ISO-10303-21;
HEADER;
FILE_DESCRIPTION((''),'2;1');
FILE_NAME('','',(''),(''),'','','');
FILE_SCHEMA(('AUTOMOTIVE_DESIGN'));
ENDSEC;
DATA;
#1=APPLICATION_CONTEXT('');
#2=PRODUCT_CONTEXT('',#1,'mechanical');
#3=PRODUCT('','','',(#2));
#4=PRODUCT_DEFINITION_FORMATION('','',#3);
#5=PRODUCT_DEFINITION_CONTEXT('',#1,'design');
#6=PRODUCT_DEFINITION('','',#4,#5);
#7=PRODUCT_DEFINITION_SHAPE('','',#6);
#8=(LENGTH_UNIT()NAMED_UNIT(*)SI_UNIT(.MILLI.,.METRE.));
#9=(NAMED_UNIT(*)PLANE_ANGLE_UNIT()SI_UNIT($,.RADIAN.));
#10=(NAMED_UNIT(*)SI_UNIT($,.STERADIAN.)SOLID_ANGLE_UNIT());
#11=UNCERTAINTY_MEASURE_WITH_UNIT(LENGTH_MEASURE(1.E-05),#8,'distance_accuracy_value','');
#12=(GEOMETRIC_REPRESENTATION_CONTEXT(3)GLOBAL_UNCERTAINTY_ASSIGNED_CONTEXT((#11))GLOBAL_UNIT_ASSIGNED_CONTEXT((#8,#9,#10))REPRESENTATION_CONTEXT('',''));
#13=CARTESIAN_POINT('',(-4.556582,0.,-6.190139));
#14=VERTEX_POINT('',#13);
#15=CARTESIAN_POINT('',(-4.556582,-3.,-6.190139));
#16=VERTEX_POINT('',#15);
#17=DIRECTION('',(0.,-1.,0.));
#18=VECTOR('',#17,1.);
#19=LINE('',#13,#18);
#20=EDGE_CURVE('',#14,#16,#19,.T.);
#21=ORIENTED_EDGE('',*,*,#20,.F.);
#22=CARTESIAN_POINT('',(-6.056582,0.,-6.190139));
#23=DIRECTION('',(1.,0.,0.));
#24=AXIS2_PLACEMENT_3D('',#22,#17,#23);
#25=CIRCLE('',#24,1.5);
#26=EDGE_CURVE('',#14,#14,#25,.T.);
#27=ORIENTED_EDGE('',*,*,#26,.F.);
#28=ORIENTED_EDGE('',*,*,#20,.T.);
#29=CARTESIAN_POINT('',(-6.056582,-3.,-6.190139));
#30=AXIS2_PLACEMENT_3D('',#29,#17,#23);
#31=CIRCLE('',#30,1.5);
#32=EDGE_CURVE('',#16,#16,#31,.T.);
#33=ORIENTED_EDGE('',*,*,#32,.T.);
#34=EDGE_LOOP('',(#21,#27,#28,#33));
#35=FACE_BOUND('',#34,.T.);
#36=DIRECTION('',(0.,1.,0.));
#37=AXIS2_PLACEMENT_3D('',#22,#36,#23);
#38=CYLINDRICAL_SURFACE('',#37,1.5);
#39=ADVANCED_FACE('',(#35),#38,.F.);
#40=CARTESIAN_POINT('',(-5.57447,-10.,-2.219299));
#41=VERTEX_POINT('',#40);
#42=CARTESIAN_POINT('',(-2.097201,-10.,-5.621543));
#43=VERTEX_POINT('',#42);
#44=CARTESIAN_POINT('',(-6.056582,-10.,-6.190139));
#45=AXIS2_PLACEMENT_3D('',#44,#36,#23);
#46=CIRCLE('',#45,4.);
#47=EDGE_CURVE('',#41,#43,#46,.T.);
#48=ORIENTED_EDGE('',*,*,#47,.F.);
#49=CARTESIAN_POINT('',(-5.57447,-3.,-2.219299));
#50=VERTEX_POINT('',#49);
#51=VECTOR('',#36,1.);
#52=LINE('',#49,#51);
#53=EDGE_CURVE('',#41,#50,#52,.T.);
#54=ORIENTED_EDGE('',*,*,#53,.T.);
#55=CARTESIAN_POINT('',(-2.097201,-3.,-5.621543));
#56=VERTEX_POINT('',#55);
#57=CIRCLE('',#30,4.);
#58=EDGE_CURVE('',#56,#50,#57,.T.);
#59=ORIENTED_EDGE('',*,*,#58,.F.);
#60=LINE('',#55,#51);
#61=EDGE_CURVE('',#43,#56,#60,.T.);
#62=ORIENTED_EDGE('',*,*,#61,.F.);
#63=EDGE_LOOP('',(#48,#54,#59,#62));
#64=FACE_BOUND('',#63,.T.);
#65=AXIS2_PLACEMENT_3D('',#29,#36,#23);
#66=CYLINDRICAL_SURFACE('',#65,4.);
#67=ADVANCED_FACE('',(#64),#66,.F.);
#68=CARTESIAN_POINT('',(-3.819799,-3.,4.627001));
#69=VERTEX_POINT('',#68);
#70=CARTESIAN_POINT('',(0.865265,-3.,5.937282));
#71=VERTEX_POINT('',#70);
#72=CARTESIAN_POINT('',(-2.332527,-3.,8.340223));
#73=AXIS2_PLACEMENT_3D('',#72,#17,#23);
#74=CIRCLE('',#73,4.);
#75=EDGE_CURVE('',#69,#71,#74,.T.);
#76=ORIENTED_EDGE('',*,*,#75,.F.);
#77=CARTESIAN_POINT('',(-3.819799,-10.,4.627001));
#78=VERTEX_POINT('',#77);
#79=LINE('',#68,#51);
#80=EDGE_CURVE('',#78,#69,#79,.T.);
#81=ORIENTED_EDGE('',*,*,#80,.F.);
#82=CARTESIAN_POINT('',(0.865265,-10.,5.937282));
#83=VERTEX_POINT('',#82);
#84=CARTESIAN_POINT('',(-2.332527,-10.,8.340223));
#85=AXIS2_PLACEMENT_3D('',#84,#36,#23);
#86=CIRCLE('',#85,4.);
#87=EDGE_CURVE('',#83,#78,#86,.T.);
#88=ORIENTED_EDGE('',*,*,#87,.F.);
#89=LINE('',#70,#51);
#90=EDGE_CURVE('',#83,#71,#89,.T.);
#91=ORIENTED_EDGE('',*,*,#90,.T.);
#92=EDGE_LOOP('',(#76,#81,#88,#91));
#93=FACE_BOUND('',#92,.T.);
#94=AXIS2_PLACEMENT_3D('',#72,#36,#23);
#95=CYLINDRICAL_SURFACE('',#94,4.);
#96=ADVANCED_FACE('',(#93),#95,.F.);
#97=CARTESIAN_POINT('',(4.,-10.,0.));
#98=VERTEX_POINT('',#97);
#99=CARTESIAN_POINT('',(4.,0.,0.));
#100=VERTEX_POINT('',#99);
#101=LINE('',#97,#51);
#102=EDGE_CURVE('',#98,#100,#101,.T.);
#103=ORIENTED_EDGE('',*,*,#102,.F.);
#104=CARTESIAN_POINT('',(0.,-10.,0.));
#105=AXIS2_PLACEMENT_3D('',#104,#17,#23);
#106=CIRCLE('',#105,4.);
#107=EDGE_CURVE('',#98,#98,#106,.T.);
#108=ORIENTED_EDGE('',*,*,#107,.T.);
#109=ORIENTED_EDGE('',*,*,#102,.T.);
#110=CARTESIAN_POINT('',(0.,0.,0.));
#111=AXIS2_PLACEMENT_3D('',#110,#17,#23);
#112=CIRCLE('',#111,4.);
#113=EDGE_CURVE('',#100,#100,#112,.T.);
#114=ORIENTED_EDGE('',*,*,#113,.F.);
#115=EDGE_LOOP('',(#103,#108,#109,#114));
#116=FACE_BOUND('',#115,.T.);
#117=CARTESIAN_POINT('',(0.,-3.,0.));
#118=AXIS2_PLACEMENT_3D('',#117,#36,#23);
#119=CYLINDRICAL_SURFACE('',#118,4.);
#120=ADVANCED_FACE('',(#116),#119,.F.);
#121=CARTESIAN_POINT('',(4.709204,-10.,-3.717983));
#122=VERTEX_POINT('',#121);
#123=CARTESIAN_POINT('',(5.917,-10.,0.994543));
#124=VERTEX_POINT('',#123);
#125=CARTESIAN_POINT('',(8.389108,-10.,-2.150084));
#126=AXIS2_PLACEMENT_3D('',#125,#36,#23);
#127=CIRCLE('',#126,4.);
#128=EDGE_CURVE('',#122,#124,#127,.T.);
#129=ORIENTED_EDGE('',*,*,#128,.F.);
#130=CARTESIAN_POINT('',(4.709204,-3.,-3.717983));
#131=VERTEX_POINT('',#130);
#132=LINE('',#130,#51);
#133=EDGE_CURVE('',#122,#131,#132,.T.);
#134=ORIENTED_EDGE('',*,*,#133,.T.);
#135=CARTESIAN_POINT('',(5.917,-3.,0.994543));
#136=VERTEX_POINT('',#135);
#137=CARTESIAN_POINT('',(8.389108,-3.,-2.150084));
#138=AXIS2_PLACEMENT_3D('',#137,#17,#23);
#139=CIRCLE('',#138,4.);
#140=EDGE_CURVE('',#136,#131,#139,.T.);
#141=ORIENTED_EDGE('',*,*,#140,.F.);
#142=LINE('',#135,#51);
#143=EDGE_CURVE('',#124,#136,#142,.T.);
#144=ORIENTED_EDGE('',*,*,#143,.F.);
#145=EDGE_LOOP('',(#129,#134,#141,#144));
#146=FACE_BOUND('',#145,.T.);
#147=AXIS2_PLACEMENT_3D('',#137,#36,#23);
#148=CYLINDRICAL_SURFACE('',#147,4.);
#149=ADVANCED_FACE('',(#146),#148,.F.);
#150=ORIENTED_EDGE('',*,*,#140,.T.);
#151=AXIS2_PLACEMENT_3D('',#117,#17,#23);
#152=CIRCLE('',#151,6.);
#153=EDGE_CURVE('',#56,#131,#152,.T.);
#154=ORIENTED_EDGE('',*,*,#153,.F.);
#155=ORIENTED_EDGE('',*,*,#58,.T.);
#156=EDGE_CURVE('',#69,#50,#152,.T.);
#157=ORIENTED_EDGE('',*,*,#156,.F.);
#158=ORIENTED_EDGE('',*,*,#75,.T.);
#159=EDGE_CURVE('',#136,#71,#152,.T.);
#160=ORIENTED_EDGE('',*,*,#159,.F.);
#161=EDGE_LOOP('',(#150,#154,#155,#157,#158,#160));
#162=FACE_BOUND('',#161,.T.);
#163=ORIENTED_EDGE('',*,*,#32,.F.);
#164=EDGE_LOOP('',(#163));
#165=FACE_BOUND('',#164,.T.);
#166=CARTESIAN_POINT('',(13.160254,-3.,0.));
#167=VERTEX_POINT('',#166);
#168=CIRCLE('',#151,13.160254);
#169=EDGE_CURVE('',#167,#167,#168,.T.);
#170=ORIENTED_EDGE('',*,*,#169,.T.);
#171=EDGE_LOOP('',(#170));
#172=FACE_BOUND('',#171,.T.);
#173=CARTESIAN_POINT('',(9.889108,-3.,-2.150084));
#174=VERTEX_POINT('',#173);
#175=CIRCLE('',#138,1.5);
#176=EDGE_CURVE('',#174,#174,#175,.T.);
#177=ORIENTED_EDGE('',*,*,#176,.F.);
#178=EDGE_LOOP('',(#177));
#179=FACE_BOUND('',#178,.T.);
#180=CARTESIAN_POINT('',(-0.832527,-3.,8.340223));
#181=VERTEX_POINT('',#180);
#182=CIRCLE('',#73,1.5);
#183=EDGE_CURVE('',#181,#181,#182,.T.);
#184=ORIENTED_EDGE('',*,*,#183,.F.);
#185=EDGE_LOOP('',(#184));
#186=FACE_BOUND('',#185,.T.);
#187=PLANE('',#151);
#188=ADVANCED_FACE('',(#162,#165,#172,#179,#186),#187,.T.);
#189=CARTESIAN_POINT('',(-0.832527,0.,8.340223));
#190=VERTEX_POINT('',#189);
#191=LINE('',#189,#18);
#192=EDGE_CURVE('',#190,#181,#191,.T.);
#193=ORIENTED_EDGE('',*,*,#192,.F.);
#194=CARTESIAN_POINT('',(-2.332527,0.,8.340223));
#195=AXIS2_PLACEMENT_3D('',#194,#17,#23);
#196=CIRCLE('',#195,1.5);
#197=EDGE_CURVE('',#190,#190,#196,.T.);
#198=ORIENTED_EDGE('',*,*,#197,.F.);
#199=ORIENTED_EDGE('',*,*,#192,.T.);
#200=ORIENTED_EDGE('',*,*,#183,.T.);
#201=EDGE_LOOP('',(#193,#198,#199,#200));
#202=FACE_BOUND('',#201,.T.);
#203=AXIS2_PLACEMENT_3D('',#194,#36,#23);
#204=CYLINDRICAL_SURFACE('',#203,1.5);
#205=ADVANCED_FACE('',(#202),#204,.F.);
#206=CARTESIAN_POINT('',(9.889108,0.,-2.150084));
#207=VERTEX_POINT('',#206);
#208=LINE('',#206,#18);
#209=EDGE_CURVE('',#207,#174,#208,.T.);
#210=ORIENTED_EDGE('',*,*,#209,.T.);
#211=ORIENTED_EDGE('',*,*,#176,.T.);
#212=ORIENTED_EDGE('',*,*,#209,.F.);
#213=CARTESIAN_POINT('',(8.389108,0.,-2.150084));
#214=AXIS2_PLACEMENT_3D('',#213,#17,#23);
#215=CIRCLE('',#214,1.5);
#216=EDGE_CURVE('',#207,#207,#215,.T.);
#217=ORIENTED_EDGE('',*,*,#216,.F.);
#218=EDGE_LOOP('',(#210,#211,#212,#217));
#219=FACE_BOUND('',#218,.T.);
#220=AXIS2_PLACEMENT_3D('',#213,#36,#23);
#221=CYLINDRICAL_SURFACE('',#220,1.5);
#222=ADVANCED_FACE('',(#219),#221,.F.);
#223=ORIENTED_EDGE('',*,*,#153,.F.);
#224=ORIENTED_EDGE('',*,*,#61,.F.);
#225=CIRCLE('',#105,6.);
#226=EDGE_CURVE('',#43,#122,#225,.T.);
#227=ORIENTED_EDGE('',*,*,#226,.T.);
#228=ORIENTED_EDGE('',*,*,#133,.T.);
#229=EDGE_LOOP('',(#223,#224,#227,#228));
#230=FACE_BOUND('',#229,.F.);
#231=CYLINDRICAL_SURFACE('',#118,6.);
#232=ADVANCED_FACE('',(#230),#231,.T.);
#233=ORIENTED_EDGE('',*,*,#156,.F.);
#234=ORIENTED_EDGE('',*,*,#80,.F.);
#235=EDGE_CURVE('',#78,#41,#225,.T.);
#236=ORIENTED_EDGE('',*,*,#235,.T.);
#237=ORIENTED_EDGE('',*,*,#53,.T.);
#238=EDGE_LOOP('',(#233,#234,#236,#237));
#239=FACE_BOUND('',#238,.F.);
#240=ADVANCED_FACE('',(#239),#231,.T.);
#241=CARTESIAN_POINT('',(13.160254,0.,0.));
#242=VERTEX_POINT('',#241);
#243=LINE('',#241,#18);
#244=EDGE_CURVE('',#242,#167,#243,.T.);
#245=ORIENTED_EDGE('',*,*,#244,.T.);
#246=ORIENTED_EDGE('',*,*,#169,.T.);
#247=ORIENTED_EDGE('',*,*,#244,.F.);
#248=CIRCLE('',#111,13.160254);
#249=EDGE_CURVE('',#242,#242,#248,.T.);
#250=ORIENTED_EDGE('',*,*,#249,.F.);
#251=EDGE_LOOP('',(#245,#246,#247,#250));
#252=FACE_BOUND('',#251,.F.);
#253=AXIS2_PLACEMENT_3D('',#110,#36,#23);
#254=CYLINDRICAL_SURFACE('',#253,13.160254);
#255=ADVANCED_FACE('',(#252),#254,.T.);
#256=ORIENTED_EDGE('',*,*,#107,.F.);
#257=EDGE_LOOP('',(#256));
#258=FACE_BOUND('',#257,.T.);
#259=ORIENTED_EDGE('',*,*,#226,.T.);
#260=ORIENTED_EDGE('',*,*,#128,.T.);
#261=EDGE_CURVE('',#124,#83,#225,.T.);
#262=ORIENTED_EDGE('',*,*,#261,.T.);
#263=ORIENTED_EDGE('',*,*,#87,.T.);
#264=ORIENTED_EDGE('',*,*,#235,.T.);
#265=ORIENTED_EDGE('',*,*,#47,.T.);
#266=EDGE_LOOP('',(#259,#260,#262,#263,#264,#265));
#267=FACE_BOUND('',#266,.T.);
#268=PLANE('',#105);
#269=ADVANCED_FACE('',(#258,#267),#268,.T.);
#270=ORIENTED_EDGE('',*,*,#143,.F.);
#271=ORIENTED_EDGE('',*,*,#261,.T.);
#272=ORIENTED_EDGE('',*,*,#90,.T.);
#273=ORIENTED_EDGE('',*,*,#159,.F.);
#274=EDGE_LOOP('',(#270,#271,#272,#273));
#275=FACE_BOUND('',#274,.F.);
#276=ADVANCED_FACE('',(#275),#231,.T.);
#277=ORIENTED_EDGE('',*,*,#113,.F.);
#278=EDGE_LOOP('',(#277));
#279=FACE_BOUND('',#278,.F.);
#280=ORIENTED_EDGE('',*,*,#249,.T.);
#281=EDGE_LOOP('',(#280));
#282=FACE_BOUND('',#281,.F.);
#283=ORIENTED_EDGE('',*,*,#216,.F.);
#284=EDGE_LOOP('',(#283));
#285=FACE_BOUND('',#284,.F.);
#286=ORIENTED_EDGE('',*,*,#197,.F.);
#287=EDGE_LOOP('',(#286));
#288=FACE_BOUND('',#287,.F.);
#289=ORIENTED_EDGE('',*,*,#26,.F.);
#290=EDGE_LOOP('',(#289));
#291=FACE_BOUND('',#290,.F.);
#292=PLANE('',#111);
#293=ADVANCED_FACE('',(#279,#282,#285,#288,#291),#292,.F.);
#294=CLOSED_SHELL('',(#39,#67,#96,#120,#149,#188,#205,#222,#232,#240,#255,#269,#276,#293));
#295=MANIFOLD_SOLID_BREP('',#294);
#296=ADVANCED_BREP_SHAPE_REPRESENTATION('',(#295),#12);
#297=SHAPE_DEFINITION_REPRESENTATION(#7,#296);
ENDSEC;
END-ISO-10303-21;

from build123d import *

# Parameters (mm, degrees)
F0_R     = 13.160254
F0_R_2   = 1.5
F0_R_3   = 4
F1_DEPTH = 3
F2_R     = 6
F2_R_2   = 4
F3_DEPTH = 7
F4_R     = 4
F5_DEPTH = 25


with BuildPart() as f1:
    # F0 (on Front) → F1 (new body)
    with BuildSketch(Plane.XZ):
        Circle(F0_R)
        with Locations((-6.056582, -6.190139)):
            Circle(F0_R_2, mode=Mode.SUBTRACT)
        with Locations((8.389108, -2.150084)):
            Circle(F0_R_2, mode=Mode.SUBTRACT)
        with Locations((-2.332527, 8.340223)):
            Circle(F0_R_2, mode=Mode.SUBTRACT)
        Circle(F0_R_3, mode=Mode.SUBTRACT)
    extrude(amount=F1_DEPTH)

    # F2 (on face) → F3 (join)
    with BuildSketch(Plane.XZ.offset(3)):
        Circle(F2_R)
        Circle(F2_R_2, mode=Mode.SUBTRACT)
    extrude(amount=F3_DEPTH)

    # F4 (on face) → F5 (cut)
    with BuildSketch(Plane.XZ.offset(3)):
        with Locations((-2.332527, 8.340223)):
            Circle(F4_R)
        with Locations((8.389108, -2.150084)):
            Circle(F4_R)
        with Locations((-6.056582, -6.190139)):
            Circle(F4_R)
    extrude(amount=F5_DEPTH, mode=Mode.SUBTRACT)


solid = f1.part
